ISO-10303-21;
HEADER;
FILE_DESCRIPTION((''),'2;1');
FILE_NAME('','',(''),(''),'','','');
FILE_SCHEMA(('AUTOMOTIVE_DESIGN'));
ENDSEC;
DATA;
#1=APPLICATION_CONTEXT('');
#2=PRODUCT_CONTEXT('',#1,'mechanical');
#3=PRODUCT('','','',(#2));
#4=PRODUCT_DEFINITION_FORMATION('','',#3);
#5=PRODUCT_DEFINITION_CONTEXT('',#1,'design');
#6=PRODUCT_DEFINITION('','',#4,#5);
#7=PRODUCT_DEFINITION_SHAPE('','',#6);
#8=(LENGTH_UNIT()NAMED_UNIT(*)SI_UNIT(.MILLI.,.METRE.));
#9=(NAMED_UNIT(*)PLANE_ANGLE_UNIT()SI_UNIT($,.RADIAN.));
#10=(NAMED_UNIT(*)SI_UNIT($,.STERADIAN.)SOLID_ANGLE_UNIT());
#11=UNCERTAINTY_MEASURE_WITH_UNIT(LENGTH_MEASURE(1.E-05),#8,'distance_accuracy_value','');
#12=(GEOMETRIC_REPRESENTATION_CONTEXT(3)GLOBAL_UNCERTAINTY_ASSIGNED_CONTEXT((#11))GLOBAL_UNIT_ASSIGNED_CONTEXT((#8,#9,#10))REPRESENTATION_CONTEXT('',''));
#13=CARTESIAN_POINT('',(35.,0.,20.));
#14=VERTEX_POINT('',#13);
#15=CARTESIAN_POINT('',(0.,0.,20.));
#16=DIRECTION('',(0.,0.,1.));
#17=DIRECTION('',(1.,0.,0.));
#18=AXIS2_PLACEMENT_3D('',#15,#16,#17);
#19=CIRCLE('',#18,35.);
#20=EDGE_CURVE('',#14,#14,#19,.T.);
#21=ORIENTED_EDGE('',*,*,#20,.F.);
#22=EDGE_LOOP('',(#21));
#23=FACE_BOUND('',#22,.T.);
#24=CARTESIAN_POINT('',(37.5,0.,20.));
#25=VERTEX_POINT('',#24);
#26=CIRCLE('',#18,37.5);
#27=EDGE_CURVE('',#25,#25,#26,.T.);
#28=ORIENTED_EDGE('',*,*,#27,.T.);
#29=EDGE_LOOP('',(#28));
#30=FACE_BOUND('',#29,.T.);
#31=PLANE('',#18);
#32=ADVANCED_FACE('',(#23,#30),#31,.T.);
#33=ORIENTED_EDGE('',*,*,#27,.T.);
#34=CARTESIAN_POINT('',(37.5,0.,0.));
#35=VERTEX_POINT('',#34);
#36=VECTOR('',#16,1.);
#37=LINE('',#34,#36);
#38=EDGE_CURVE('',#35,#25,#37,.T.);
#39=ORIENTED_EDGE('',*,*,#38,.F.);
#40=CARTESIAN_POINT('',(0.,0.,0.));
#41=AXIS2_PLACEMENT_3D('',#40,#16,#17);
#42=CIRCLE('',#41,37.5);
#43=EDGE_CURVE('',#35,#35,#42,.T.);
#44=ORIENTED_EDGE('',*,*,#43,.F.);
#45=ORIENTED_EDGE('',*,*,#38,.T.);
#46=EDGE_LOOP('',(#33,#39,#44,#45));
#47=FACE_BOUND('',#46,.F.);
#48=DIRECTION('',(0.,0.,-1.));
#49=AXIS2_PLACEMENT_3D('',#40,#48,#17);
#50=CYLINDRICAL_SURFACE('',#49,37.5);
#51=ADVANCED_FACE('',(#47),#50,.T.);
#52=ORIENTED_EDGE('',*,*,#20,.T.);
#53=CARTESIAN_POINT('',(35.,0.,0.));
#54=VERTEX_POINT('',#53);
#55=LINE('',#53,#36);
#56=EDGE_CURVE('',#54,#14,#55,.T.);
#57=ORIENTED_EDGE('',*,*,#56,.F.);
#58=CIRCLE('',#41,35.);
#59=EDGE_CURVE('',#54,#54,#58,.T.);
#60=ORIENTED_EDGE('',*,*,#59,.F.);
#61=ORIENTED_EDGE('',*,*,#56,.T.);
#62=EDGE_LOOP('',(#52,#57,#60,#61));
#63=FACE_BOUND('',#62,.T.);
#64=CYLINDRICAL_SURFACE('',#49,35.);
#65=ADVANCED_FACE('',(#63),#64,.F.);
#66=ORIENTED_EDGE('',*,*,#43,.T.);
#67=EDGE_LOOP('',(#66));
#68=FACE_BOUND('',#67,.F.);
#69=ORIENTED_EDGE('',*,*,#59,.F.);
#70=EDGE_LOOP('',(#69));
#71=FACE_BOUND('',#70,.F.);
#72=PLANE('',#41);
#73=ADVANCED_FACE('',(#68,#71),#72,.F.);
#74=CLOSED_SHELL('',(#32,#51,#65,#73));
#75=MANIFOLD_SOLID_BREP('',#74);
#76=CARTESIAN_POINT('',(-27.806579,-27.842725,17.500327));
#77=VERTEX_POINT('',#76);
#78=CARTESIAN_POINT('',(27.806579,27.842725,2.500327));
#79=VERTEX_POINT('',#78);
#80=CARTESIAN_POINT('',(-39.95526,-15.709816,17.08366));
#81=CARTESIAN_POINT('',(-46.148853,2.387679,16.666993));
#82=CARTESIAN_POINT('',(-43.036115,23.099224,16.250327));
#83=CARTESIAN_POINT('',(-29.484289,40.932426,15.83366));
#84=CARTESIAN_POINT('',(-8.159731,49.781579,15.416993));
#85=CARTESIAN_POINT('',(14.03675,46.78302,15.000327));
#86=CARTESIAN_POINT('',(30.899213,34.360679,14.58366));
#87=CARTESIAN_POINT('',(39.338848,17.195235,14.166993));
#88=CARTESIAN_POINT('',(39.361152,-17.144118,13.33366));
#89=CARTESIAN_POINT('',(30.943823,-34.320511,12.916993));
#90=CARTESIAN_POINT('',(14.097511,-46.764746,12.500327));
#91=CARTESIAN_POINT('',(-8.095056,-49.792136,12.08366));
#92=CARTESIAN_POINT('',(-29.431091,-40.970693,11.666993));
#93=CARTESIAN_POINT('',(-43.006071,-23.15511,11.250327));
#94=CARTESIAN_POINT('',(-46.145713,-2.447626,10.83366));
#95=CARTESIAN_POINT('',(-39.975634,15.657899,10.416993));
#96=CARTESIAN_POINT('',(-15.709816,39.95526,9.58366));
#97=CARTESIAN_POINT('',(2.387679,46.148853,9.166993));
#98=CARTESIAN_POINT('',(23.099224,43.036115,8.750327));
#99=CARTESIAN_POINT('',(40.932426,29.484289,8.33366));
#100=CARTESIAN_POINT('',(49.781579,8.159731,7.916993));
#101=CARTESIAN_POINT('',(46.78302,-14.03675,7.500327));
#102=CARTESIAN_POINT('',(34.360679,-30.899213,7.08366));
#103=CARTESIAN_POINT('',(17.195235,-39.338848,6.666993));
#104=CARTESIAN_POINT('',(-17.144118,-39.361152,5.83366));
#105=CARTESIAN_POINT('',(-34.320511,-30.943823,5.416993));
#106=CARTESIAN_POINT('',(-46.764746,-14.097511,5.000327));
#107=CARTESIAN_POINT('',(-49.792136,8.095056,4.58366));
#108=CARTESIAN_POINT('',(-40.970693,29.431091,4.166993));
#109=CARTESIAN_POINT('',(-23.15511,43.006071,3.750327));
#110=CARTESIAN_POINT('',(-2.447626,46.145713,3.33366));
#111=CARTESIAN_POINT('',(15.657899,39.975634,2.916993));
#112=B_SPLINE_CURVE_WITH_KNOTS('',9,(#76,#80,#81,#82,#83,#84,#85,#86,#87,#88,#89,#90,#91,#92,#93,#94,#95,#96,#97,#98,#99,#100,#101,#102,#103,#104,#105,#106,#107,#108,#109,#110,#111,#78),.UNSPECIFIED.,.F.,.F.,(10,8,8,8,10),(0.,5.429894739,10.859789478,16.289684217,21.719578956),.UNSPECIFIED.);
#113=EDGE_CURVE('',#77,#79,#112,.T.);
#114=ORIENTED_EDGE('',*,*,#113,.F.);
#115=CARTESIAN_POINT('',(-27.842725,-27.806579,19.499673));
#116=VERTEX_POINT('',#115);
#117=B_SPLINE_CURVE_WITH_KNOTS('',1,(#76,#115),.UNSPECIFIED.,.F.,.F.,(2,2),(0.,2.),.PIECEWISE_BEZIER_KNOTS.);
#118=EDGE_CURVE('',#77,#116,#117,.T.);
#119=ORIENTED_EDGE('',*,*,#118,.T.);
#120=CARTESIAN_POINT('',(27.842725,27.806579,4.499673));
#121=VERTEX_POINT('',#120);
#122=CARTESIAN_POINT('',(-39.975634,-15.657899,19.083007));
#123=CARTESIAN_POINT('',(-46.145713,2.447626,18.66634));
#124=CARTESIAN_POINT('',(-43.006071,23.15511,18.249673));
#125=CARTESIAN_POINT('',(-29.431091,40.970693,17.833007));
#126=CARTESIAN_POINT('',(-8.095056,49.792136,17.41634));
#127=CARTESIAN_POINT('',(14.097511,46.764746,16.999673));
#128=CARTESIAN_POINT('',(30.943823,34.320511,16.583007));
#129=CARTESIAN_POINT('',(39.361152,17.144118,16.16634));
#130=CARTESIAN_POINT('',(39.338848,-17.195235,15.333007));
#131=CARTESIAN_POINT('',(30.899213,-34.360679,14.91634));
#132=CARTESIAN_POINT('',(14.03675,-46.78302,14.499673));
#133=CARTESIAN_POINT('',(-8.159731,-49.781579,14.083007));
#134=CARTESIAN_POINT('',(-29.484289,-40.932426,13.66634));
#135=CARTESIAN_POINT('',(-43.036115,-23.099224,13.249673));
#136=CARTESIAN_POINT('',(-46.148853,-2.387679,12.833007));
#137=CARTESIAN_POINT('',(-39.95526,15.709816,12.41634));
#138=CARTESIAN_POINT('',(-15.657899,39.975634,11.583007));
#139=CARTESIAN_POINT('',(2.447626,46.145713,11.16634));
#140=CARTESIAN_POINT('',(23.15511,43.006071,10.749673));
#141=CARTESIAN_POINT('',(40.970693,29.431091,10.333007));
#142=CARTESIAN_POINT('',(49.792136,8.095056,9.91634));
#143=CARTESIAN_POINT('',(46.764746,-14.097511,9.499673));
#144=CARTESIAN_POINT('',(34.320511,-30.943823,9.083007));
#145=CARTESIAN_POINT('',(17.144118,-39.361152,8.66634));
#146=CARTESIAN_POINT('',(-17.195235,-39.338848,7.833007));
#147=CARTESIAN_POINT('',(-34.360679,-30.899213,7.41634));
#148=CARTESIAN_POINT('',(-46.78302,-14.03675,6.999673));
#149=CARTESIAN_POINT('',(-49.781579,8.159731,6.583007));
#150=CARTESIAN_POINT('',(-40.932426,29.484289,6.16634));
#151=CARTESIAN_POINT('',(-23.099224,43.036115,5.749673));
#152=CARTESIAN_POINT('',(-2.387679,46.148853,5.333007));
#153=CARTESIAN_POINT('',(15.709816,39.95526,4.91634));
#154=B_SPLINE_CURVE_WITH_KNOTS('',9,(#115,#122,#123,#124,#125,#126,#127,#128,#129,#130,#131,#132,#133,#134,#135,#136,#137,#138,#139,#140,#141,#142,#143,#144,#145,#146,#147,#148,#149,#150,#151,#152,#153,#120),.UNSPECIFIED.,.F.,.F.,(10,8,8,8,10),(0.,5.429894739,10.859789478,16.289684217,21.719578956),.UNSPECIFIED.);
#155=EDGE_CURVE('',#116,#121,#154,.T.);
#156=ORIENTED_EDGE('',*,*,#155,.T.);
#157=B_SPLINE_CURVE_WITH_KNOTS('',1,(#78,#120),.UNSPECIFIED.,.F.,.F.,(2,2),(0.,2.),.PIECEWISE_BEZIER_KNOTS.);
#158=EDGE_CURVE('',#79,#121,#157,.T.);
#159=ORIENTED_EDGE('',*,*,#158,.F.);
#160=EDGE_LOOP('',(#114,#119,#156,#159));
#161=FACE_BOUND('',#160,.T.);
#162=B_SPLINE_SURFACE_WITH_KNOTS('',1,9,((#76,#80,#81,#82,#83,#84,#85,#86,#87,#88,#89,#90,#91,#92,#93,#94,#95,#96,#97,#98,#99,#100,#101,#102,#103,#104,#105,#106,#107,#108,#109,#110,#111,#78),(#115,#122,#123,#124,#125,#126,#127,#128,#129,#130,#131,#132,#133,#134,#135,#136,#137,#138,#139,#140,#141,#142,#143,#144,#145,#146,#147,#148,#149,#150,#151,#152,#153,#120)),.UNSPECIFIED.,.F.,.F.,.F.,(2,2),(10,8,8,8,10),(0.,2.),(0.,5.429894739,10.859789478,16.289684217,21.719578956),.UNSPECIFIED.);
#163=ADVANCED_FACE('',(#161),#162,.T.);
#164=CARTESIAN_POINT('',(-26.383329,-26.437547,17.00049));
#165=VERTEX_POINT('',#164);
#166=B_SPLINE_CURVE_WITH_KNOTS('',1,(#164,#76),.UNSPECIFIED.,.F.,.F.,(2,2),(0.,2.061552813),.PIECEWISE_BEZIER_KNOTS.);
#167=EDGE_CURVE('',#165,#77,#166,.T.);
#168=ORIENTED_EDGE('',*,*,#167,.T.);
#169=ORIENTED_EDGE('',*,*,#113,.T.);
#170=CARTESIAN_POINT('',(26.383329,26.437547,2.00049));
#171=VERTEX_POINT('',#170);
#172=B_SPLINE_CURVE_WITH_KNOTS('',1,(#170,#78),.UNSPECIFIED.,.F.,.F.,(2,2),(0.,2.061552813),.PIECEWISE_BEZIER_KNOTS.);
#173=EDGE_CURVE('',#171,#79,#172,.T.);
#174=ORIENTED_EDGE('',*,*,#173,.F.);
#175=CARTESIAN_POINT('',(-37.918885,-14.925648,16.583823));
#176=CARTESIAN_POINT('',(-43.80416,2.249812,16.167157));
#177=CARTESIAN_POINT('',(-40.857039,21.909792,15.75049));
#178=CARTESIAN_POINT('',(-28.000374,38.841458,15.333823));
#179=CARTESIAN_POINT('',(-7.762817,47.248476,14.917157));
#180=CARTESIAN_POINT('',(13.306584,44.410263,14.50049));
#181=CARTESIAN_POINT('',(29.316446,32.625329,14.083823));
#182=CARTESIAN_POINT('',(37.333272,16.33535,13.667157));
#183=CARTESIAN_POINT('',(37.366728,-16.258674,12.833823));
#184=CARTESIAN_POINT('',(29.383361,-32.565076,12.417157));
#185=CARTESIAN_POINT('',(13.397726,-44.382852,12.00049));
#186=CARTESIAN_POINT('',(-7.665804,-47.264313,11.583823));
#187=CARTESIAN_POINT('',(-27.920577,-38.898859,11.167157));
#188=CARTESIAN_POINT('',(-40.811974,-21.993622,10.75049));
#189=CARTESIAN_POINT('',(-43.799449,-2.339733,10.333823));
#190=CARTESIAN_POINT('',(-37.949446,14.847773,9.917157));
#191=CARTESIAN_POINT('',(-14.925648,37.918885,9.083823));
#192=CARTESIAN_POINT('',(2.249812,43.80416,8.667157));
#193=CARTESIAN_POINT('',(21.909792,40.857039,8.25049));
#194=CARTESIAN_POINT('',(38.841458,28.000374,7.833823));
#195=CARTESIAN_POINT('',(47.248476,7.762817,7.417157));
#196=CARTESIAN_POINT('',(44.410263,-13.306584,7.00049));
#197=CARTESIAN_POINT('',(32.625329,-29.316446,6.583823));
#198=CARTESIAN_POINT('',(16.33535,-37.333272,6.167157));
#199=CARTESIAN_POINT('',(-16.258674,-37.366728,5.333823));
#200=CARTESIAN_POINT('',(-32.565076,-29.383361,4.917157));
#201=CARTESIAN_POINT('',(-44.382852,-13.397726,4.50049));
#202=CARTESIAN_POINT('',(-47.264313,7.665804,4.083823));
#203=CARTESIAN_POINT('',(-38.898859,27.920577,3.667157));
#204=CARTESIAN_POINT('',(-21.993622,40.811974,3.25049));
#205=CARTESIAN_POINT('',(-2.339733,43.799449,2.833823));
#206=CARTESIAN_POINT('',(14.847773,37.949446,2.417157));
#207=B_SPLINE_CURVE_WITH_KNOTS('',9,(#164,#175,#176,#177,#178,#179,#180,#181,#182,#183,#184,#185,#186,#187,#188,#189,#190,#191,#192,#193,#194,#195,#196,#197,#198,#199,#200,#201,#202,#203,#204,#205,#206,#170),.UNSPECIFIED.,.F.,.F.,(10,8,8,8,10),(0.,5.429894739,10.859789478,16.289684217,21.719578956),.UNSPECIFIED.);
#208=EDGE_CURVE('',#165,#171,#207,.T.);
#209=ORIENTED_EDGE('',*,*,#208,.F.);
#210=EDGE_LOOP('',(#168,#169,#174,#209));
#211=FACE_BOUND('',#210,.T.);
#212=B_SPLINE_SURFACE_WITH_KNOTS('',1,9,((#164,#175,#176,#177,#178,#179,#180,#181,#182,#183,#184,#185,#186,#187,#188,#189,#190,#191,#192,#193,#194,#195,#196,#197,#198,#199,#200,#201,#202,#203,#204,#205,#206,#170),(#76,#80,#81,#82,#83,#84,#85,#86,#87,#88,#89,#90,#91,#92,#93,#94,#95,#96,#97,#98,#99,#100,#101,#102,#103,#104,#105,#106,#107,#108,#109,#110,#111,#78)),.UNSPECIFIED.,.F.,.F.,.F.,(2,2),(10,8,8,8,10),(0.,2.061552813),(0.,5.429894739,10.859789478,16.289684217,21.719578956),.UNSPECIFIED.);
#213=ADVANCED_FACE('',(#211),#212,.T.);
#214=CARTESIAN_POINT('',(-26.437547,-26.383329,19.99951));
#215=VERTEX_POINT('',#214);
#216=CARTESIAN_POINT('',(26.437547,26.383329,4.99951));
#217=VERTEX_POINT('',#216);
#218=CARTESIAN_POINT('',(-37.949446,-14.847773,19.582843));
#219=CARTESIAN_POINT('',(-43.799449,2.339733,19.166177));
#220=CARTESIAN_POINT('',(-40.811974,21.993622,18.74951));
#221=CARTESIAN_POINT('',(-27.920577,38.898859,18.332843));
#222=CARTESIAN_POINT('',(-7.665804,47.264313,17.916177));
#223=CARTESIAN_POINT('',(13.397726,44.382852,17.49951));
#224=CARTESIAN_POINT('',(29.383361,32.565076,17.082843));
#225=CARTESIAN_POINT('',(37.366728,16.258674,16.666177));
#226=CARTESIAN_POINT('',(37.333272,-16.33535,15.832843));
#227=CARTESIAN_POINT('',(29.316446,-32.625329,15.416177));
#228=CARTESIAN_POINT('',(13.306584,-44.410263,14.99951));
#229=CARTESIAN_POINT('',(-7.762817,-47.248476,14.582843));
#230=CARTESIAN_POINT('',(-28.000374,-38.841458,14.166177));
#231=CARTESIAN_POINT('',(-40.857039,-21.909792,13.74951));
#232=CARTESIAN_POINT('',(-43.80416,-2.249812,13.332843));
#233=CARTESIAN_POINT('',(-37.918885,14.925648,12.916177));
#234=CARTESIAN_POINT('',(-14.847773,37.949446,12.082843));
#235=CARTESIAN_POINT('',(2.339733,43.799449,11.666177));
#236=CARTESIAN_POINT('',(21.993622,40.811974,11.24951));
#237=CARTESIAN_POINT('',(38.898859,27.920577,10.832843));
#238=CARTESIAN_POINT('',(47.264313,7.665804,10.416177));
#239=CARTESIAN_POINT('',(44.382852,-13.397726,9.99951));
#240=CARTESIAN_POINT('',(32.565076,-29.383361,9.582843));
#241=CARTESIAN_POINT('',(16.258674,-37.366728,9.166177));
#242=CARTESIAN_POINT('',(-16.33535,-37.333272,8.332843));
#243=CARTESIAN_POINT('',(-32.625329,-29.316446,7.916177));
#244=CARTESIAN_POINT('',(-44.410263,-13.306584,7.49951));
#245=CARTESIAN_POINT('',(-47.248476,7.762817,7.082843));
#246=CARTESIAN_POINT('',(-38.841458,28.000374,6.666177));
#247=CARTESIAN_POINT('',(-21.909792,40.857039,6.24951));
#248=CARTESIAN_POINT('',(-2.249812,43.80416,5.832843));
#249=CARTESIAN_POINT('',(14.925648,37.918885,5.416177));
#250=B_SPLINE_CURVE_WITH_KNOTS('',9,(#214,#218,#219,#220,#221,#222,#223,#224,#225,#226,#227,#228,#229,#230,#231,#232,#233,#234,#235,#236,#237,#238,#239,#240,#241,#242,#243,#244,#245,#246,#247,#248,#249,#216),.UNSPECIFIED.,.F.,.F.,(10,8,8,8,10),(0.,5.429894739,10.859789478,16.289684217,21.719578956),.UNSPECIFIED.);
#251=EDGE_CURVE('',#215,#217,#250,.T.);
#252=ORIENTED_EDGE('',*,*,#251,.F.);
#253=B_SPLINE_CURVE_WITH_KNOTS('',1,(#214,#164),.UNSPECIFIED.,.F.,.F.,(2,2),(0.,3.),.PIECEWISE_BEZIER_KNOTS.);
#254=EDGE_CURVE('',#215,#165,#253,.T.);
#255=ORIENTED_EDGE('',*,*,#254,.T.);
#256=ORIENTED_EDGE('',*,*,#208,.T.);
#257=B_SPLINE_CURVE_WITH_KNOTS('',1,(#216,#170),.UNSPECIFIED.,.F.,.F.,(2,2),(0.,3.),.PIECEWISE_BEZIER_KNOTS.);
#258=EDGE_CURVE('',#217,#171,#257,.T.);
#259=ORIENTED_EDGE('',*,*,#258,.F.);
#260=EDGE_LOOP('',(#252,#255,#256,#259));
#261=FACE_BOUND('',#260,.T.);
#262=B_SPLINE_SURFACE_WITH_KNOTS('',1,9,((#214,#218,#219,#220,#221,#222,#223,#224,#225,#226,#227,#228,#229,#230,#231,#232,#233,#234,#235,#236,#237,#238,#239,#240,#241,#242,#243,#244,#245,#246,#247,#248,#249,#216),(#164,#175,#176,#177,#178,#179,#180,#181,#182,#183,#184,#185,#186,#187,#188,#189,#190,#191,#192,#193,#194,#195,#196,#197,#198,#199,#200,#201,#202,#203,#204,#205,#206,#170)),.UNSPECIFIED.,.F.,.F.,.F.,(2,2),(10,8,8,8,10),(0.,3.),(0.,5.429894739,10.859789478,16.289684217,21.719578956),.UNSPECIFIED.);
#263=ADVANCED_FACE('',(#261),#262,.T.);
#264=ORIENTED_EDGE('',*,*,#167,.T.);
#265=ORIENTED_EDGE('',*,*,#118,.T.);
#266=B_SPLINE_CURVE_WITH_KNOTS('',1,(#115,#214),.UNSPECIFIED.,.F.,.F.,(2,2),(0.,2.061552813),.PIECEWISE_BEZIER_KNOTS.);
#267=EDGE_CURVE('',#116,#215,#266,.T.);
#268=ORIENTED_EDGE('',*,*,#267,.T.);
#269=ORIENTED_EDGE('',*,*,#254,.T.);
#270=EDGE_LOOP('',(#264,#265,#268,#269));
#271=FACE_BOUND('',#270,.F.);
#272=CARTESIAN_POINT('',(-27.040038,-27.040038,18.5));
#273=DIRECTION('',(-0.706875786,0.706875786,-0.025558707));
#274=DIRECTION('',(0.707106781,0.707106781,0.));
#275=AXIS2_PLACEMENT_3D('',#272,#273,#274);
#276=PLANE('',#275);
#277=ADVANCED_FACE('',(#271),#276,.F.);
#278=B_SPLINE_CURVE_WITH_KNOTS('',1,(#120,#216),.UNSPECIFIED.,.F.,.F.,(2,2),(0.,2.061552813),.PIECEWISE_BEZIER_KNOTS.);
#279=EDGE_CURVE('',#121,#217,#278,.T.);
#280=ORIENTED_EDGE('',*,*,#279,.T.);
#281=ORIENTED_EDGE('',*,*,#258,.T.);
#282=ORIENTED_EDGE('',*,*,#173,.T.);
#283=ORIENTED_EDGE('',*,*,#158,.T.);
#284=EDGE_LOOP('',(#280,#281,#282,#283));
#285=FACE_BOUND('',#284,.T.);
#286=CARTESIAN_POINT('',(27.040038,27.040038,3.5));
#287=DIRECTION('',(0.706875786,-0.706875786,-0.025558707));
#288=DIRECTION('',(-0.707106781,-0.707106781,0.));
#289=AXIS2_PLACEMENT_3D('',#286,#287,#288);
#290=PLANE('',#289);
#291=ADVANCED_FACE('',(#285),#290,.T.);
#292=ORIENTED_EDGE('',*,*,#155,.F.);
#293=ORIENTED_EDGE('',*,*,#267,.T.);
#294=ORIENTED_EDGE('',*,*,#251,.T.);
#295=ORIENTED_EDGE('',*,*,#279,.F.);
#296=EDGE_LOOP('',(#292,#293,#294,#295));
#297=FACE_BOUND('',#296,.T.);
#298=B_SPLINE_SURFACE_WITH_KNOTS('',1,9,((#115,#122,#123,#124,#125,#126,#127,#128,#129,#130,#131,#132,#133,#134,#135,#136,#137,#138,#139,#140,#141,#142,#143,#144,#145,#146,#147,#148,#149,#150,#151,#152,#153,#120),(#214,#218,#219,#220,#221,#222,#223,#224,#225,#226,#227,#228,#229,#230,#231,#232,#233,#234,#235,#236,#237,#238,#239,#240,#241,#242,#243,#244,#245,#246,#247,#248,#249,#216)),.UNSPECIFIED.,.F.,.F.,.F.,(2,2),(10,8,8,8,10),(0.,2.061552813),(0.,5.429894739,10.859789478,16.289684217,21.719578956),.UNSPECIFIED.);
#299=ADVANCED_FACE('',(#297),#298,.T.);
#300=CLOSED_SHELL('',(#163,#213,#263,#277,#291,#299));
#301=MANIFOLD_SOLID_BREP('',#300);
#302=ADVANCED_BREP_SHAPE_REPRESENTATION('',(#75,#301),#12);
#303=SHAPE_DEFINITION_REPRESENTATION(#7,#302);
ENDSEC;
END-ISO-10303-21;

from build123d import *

# Parameters (mm, degrees)
SKETCH_1_R          = 37.5
SKETCH_1_R_2        = 35
EXTRUDE_1_DEPTH     = 20
SWEEP_1_PITCH       = 6
SWEEP_1_HEIGHT      = 15
SWEEP_1_RADIUS      = 37.35
SWEEP_1_START_ANGLE = -45


with BuildPart() as part:
    # 草图1 → 凸台-拉伸1 (new body)
    with BuildSketch(Plane.XY):
        Circle(SKETCH_1_R)
        Circle(SKETCH_1_R_2, mode=Mode.SUBTRACT)
    extrude(amount=EXTRUDE_1_DEPTH)


with BuildPart() as body_2:
    # 扫描1: sweep along a helix
    with BuildLine() as sweep_1_path:
        add(Helix(SWEEP_1_PITCH, SWEEP_1_HEIGHT, SWEEP_1_RADIUS, center=(0, 0, 18.5), direction=(0, 0, -1), mode=Mode.PRIVATE).rotate(Axis((0, 0, 18.5), (0, 0, -1)), SWEEP_1_START_ANGLE))
    # 草图6 → 扫描1 (sweep)
    with BuildSketch(Plane(origin=(-26.410438277, -26.410438277, 18.5), x_dir=(-0.018072735, 0.018072735, 0.999673323), z_dir=(-0.706875786, 0.706875786, -0.025558707))):
        Polygon((1.5, 0), (-1.5, 0), (-1, -2), (1, -2), align=None)
    sweep(path=sweep_1_path.line, is_frenet=True)


solid = Compound([part.part, body_2.part])
